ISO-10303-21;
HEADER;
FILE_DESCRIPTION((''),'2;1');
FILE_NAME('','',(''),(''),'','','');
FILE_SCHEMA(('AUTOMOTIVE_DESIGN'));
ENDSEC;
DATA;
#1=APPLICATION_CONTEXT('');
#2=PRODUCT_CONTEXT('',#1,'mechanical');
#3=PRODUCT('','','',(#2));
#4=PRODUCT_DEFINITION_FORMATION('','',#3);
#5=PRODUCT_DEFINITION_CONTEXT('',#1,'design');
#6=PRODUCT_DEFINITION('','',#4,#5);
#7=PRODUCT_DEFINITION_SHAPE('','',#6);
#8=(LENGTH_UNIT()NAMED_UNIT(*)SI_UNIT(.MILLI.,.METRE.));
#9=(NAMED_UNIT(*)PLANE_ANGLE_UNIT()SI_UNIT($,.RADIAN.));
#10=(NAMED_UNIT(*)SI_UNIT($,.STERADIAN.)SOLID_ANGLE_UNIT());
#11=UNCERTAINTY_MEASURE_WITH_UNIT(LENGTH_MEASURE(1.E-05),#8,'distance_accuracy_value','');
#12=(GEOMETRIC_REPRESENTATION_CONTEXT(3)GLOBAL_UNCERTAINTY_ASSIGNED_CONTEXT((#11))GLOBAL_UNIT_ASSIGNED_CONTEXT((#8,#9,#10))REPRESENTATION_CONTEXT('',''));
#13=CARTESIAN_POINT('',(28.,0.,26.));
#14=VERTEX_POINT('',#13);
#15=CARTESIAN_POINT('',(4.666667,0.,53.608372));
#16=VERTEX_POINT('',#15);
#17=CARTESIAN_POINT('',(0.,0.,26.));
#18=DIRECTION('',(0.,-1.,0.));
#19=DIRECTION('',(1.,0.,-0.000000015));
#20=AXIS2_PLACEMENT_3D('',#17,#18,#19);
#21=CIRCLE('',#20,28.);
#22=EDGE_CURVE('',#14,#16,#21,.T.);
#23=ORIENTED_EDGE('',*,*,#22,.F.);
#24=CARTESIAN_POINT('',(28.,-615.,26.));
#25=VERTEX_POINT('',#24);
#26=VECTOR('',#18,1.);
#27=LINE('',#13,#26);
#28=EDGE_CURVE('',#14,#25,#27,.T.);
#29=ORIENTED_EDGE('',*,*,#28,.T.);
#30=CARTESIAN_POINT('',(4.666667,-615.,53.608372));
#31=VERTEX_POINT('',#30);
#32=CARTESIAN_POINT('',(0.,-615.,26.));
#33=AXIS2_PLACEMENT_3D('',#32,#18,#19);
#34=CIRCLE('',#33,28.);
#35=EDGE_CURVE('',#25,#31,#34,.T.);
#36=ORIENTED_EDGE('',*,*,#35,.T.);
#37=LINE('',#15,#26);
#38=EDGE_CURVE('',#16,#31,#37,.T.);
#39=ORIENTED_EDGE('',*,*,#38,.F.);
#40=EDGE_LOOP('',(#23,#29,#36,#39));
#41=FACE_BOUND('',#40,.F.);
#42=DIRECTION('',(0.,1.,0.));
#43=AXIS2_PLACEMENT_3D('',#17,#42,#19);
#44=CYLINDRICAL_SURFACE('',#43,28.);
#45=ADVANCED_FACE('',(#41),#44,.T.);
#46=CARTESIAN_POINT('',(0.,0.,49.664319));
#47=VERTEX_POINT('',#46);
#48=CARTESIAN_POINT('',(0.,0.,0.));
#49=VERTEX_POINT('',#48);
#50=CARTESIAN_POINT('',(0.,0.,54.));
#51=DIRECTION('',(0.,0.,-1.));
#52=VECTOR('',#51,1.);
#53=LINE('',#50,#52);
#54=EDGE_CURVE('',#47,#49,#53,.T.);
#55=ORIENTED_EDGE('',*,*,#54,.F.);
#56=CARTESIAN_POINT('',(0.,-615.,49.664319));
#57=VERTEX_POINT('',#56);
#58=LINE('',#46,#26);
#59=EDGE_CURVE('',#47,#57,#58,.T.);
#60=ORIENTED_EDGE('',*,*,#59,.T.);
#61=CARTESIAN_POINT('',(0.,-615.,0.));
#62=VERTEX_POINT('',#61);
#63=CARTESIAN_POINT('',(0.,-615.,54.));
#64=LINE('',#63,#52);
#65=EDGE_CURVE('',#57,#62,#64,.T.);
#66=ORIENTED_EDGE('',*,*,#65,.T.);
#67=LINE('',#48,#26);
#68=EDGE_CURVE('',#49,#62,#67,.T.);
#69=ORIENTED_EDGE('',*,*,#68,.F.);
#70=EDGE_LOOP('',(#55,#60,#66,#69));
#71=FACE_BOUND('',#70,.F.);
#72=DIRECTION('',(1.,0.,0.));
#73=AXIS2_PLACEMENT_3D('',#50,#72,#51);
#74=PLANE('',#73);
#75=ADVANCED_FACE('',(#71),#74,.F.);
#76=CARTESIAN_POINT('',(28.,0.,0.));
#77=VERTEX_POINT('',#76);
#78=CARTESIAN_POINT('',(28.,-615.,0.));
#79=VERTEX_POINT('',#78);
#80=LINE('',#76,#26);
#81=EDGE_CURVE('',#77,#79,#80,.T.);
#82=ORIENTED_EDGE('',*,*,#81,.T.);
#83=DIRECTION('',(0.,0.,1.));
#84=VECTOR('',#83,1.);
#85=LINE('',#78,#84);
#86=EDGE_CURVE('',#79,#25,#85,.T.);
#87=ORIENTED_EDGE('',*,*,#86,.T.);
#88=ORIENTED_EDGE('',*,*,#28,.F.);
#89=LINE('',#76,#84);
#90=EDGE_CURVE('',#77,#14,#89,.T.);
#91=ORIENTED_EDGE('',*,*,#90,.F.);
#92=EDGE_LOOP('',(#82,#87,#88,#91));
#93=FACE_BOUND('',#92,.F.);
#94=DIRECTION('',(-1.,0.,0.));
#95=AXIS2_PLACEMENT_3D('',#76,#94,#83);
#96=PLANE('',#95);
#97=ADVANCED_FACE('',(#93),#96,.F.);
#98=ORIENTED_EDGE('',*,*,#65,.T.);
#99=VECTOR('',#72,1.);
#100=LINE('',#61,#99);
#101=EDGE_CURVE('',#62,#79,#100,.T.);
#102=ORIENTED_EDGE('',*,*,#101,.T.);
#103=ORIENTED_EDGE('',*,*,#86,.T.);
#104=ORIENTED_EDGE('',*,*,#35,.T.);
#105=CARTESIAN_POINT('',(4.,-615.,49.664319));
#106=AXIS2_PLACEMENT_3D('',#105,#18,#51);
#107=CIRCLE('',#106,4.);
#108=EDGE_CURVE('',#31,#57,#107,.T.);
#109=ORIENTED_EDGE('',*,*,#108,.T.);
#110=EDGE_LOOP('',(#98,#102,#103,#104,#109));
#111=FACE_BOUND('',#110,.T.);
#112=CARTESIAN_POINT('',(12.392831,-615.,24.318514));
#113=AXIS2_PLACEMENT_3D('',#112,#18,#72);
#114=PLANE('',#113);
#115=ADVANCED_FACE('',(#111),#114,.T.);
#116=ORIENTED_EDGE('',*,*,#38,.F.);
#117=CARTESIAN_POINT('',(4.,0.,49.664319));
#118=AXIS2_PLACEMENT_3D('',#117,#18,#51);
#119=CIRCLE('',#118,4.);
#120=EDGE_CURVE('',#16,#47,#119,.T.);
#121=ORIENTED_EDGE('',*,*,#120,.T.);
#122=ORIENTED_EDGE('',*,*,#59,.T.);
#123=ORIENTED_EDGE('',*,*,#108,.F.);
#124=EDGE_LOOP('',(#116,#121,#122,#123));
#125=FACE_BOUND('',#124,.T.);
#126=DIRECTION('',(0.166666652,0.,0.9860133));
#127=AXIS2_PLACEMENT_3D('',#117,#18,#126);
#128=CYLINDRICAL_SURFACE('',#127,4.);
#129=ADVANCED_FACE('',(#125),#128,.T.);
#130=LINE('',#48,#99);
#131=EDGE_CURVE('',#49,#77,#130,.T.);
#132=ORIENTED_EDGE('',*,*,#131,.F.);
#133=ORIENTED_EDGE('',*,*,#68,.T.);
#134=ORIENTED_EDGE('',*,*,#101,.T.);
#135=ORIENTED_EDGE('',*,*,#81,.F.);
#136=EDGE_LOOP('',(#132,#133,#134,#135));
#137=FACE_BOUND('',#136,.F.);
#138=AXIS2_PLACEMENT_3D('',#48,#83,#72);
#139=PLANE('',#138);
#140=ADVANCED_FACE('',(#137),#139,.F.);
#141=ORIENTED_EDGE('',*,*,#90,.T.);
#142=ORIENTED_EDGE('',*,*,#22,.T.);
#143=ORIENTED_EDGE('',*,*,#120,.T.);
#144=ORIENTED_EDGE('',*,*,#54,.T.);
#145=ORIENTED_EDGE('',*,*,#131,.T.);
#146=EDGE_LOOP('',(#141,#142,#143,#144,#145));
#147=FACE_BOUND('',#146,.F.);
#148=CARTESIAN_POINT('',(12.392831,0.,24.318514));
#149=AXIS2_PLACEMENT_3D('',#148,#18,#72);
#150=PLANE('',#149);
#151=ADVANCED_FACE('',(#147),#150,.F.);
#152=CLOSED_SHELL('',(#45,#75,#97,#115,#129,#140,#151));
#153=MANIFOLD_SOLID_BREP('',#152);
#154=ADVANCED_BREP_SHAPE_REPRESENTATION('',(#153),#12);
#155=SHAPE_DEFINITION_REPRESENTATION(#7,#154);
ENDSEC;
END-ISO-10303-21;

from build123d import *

# Parameters (mm, degrees)
PAD_DEPTH = 615
FILLET_R  = 4


with BuildPart() as part:
    # Sketch → Pad (new body)
    with BuildSketch(Plane.XZ):
        with BuildLine():
            Line((0, 0), (28, 0))
            Line((28, 0), (28, 26))
            ThreePointArc((28, 26), (19.79899, 45.79899), (0, 54))
            Line((0, 54), (0, 0))
        make_face()
    extrude(amount=PAD_DEPTH)

    # Fillet
    fillet_edges = [part.edges().sort_by_distance(p)[0] for p in [
        (0, -307.5, 54),
    ]]
    fillet(fillet_edges, radius=FILLET_R)


solid = part.part
